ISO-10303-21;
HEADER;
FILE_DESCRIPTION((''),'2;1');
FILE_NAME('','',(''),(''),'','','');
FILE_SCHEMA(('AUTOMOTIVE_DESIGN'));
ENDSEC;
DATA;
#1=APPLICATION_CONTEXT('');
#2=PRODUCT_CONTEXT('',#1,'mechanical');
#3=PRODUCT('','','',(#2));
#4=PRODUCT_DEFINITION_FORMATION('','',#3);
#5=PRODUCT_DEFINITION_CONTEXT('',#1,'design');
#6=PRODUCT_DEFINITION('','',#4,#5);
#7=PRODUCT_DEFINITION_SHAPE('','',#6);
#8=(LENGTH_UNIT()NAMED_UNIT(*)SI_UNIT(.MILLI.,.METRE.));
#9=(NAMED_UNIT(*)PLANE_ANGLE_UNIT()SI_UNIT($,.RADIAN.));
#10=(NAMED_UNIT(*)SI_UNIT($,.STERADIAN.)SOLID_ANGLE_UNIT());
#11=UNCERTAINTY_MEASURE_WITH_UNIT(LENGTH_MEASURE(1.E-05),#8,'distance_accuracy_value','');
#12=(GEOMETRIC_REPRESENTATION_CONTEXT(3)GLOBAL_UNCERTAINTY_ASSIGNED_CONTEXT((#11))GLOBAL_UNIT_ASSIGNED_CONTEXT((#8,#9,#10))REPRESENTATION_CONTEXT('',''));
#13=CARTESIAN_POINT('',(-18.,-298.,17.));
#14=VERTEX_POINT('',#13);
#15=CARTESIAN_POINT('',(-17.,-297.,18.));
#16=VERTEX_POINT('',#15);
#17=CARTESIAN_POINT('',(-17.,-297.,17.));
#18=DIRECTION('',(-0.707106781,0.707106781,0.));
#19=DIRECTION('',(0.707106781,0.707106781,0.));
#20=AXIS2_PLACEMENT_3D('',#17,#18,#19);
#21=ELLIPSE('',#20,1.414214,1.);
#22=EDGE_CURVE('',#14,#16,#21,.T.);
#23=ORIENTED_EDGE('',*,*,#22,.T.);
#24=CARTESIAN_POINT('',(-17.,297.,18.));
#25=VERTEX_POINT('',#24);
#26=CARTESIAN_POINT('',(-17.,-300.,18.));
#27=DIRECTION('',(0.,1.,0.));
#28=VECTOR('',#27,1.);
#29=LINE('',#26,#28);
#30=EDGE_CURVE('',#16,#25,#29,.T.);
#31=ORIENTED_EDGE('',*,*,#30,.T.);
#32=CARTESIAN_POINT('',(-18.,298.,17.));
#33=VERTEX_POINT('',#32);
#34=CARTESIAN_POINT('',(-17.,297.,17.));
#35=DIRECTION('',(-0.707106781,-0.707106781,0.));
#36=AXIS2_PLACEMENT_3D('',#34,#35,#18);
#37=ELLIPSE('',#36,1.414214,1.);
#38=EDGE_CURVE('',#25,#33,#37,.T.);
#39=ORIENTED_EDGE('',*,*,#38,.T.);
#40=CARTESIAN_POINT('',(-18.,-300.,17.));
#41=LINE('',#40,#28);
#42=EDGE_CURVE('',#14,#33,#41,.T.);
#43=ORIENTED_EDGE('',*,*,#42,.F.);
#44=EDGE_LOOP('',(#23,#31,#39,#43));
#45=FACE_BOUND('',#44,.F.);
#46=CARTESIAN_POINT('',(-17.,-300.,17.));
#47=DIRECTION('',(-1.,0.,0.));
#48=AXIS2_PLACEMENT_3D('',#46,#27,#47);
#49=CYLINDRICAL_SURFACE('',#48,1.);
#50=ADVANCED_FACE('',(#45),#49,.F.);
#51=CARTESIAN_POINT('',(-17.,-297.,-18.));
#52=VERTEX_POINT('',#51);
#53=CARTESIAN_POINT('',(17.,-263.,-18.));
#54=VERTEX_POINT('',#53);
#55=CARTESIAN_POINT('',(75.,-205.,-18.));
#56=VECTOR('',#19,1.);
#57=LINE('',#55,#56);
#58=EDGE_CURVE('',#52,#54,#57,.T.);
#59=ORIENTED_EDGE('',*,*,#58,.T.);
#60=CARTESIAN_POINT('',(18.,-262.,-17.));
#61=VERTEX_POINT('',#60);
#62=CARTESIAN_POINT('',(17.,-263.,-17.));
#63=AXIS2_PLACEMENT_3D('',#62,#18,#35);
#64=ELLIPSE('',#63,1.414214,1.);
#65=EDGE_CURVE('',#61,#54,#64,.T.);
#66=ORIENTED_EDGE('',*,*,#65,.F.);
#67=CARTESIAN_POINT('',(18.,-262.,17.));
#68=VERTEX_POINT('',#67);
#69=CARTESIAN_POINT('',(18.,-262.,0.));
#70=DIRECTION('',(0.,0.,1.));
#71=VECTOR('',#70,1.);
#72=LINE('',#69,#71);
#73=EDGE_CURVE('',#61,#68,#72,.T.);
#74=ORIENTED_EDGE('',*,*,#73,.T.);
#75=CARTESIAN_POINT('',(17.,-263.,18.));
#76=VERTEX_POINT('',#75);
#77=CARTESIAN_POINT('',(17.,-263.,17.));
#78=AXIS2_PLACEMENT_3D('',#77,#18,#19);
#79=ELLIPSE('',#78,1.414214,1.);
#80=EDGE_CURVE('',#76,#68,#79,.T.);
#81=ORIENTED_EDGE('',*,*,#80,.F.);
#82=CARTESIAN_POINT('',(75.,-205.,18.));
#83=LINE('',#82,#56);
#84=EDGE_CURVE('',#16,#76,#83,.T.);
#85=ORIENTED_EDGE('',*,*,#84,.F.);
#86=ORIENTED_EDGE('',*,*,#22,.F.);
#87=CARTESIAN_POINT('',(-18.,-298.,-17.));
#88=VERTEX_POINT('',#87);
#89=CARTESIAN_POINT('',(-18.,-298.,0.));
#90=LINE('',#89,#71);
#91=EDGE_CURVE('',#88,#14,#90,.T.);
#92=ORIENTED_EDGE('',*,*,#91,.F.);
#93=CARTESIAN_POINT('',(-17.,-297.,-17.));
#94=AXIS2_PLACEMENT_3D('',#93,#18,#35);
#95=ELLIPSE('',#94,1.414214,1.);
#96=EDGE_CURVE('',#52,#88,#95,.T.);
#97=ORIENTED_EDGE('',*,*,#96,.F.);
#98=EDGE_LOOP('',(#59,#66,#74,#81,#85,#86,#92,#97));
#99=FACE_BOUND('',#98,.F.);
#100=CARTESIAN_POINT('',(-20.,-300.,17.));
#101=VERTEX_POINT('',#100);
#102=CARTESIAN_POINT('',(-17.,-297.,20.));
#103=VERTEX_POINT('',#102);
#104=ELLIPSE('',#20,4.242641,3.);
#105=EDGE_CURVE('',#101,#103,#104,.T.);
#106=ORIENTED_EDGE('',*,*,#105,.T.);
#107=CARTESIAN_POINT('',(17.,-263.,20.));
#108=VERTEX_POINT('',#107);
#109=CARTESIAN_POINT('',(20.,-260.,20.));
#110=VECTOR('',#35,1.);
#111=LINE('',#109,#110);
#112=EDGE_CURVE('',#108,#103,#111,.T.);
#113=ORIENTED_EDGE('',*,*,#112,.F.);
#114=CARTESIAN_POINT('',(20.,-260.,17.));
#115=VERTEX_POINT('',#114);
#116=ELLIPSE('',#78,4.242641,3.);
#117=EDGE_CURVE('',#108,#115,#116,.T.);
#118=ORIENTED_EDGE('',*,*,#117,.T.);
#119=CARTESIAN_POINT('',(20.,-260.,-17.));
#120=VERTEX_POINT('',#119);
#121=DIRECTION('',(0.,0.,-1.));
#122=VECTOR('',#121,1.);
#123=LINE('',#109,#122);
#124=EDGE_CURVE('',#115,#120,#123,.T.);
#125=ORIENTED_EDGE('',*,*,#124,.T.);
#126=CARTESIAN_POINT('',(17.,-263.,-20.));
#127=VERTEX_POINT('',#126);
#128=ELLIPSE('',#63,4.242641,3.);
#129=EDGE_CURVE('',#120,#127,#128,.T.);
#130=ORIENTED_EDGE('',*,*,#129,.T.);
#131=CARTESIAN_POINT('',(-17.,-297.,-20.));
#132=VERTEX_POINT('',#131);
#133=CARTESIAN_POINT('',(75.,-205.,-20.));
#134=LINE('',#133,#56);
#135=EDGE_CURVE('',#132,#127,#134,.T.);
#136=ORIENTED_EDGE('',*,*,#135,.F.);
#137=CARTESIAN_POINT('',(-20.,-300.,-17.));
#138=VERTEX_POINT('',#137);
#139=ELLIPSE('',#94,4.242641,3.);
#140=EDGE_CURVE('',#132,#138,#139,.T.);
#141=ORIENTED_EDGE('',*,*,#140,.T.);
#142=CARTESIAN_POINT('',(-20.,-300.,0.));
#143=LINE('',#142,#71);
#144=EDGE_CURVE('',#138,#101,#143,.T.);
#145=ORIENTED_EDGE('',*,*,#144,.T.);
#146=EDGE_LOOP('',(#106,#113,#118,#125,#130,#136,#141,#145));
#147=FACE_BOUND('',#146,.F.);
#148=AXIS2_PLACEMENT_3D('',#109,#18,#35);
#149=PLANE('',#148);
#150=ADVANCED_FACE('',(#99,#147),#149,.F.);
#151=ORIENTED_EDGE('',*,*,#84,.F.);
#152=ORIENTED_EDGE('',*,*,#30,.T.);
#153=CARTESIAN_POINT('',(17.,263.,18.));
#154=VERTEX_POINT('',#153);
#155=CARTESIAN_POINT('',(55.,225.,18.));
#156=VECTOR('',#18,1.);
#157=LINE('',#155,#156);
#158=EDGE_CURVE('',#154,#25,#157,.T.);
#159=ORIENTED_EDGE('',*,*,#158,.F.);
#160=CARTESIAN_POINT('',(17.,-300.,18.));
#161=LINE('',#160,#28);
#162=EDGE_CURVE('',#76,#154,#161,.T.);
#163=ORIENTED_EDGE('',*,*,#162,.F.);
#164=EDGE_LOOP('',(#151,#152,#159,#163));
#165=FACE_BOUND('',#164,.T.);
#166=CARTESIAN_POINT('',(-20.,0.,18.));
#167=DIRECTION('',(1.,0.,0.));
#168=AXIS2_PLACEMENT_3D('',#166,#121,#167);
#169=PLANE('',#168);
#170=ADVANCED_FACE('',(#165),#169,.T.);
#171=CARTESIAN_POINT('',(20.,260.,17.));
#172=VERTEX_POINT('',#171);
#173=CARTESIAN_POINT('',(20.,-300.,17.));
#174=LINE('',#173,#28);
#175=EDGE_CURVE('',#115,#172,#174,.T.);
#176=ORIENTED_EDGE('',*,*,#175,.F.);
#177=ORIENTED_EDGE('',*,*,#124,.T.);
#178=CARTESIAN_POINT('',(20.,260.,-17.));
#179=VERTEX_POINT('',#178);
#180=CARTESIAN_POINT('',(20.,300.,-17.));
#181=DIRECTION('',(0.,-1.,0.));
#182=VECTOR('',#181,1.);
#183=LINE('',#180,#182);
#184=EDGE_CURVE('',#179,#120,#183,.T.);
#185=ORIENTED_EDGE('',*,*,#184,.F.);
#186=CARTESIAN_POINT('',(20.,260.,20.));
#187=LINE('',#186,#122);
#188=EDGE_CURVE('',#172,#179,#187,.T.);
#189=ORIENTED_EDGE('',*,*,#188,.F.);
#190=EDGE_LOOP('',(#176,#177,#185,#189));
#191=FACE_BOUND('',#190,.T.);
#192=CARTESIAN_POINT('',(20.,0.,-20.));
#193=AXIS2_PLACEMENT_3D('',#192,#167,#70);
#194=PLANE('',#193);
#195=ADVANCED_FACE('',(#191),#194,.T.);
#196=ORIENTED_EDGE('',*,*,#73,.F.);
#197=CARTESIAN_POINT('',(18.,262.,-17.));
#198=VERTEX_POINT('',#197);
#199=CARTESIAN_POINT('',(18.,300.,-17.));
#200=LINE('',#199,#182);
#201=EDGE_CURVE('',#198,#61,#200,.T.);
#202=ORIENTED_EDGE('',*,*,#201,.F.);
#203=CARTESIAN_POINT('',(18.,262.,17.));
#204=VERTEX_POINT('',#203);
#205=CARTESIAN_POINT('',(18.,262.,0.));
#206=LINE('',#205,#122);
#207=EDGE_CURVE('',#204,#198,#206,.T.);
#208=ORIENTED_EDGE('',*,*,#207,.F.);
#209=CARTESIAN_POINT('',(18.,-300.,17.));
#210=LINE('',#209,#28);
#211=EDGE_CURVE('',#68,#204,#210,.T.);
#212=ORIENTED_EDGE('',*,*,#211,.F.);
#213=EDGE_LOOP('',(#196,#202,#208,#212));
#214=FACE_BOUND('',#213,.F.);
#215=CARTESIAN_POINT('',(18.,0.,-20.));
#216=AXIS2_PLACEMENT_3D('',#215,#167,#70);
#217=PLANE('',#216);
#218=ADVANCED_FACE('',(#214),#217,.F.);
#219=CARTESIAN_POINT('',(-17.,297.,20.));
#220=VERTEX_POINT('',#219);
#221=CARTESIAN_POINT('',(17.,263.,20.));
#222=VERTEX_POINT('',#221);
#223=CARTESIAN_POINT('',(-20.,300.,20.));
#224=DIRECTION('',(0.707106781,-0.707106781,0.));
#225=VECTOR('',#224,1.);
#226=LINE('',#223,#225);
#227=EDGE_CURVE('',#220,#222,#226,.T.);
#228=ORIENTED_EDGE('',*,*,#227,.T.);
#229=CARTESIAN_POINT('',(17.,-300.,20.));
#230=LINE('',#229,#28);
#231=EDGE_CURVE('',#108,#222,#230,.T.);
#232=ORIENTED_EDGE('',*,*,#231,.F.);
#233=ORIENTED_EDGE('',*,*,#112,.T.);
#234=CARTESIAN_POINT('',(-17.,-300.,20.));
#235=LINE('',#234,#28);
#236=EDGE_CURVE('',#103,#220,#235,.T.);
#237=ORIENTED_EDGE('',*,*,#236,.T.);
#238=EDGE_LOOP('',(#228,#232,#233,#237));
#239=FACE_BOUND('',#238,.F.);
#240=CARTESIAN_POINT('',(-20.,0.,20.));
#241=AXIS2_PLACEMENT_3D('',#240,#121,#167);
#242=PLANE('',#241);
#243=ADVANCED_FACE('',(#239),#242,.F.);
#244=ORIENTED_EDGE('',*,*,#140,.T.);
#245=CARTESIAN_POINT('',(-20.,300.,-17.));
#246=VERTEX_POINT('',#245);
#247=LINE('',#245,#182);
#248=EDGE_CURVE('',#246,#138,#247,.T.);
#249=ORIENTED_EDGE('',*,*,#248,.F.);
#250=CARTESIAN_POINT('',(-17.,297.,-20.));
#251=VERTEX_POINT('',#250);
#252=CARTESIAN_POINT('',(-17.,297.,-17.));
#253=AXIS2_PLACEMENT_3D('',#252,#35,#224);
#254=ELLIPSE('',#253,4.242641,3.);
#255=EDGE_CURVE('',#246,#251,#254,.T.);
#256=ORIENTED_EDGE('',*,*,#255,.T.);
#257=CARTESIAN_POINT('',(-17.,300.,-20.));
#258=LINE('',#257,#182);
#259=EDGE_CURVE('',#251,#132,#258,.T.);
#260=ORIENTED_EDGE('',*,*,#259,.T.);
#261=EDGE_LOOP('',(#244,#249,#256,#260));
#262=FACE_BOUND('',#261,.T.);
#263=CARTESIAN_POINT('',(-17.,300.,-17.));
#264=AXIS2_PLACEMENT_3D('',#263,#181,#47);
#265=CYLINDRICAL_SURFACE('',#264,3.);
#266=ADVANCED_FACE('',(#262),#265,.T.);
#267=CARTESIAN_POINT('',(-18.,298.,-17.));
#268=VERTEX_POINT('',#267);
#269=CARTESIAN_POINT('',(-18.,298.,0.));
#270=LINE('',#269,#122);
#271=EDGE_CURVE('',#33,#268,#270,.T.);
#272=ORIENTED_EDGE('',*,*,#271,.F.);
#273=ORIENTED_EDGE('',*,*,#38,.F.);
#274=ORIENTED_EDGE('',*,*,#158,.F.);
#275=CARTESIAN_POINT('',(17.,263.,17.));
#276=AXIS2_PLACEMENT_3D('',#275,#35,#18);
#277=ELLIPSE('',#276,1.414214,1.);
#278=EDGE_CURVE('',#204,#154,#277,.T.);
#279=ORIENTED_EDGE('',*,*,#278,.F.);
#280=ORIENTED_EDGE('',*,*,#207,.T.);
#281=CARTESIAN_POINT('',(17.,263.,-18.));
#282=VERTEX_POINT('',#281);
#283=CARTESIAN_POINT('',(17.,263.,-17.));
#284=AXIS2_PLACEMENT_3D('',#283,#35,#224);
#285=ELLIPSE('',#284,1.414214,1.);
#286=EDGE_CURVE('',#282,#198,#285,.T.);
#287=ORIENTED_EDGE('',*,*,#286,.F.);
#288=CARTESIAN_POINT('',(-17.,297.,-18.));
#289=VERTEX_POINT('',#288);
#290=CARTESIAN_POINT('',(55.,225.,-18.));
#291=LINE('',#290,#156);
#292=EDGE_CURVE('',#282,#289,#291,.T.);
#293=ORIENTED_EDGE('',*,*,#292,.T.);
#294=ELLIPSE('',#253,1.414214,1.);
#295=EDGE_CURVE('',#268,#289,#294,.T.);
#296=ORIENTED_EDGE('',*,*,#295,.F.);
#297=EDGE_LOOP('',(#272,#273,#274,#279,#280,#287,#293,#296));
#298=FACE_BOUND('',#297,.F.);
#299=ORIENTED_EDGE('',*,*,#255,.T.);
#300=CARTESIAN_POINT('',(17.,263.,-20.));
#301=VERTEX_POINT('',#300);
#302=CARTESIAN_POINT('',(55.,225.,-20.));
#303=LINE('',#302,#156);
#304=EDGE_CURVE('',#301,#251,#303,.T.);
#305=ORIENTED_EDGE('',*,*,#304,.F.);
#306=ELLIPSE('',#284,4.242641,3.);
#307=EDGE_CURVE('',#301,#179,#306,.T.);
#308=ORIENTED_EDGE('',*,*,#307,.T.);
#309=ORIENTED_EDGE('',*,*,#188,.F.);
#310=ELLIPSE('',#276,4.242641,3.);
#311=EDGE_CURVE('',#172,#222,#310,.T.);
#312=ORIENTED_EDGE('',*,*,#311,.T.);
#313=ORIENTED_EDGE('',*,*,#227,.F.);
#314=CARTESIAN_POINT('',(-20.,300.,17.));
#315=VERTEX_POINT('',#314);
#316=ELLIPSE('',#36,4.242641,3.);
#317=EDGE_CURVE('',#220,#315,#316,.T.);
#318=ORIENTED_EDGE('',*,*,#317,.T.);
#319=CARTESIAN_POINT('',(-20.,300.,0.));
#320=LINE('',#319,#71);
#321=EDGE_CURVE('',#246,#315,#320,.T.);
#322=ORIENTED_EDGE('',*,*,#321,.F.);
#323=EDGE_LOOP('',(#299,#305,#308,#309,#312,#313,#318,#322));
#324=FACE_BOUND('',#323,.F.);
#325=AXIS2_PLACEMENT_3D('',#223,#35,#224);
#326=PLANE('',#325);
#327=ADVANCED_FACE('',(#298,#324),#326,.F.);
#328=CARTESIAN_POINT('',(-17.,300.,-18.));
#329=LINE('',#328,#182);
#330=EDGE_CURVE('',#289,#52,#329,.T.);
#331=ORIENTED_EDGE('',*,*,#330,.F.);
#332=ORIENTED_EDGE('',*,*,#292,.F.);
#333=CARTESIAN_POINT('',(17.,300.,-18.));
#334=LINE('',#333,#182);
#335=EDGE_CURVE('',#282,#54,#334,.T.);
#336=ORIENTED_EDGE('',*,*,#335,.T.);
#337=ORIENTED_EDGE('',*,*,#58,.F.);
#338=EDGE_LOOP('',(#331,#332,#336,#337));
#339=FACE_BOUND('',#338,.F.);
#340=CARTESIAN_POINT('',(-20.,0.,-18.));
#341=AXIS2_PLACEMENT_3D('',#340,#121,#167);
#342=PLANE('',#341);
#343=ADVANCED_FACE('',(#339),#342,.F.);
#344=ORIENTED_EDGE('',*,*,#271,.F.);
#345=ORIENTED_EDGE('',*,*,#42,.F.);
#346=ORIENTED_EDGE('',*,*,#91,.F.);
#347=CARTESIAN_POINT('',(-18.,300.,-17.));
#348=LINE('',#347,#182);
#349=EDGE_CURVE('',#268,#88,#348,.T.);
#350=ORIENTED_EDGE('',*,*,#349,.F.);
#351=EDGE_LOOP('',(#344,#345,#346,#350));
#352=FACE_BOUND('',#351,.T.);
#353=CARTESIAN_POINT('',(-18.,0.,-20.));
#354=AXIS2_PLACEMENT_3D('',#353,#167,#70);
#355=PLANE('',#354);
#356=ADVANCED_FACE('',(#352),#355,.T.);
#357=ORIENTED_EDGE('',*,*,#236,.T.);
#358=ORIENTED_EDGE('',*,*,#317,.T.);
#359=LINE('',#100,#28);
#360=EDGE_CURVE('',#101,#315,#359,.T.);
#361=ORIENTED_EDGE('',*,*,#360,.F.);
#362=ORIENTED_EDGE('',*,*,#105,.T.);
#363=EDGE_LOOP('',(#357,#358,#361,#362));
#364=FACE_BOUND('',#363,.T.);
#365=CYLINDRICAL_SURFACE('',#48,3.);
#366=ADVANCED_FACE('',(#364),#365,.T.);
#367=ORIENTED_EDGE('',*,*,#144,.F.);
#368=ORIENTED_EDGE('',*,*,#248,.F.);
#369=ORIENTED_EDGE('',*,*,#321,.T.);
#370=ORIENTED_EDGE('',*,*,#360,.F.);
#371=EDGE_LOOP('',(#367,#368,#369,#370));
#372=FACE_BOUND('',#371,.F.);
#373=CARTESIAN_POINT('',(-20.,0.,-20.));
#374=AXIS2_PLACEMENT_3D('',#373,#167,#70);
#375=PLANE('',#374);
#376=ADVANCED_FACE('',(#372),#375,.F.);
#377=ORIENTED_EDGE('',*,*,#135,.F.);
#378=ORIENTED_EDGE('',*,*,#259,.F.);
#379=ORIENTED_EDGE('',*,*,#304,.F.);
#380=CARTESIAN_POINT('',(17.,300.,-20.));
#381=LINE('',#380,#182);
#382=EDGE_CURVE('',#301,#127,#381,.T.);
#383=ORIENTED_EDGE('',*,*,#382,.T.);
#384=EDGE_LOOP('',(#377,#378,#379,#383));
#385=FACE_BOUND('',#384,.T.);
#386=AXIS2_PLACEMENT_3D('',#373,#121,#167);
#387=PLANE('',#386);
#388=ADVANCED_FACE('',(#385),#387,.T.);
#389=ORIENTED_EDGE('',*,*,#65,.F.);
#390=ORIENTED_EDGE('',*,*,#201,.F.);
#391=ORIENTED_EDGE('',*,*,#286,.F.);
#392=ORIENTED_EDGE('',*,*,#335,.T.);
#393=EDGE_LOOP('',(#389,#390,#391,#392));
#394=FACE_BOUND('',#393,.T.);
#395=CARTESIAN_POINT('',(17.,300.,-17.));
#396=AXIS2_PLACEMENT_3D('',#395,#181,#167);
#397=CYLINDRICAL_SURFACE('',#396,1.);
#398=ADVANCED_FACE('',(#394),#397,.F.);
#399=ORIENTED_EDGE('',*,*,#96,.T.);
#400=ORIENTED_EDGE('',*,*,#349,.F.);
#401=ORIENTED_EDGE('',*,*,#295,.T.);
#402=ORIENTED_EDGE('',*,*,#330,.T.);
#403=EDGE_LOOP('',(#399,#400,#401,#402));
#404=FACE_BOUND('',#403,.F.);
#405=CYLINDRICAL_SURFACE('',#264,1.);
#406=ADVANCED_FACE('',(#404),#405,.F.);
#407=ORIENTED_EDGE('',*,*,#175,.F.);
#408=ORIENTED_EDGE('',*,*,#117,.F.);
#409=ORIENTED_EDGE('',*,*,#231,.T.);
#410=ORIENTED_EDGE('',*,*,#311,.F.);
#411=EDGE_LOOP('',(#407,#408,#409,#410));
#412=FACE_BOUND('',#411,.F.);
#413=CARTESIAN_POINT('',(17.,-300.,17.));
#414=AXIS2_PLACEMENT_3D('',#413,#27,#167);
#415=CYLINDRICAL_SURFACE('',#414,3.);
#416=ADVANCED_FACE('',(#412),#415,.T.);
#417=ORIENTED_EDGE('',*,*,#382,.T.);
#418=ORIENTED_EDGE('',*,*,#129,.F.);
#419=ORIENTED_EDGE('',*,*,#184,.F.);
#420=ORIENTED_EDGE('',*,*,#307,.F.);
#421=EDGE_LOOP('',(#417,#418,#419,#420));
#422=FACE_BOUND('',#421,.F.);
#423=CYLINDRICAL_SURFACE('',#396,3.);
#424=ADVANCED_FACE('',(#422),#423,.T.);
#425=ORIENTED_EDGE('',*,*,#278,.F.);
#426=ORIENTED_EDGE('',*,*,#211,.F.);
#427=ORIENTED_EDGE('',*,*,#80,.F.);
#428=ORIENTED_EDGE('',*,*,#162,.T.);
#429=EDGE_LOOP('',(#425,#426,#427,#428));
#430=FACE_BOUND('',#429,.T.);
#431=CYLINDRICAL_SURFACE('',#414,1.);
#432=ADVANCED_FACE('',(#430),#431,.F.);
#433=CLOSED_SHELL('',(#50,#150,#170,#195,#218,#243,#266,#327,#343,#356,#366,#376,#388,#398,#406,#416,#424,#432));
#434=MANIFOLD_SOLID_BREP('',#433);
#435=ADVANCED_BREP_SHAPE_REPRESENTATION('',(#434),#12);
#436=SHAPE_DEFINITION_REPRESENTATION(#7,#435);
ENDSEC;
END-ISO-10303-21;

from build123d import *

# Parameters (mm, degrees)
F2_W     = 40
F2_H     = 40
F3_DEPTH = 300
F4_R     = 3
F5_T     = -2
F7_DEPTH = 40.001


with BuildPart() as f3:
    # F2 (on Front) → F3 (new body, symmetric)
    with BuildSketch(Plane.XZ):
        Rectangle(F2_W, F2_H)
    extrude(amount=F3_DEPTH, both=True)

    # F4
    f4_edges = [f3.edges().sort_by_distance(p)[0] for p in [
        (20, 0, 20),
        (-20, 0, 20),
        (20, 0, -20),
        (-20, 0, -20),
    ]]
    fillet(f4_edges, radius=F4_R)

    # F5
    f5_openings = [f3.faces().sort_by_distance(p)[0] for p in [
        (0, -300, 0),
        (0, 300, 0),
    ]]
    offset(amount=F5_T, openings=f5_openings)

    # F6 (on face) → F7 (cut, through all)
    with BuildSketch(Plane.XY.offset(20)):
        Polygon((20, -300), (20, -260), (-20, -300), align=None)
        Polygon((20, 300), (-20, 300), (20, 260), align=None)
    extrude(amount=-F7_DEPTH, mode=Mode.SUBTRACT)


solid = f3.part
